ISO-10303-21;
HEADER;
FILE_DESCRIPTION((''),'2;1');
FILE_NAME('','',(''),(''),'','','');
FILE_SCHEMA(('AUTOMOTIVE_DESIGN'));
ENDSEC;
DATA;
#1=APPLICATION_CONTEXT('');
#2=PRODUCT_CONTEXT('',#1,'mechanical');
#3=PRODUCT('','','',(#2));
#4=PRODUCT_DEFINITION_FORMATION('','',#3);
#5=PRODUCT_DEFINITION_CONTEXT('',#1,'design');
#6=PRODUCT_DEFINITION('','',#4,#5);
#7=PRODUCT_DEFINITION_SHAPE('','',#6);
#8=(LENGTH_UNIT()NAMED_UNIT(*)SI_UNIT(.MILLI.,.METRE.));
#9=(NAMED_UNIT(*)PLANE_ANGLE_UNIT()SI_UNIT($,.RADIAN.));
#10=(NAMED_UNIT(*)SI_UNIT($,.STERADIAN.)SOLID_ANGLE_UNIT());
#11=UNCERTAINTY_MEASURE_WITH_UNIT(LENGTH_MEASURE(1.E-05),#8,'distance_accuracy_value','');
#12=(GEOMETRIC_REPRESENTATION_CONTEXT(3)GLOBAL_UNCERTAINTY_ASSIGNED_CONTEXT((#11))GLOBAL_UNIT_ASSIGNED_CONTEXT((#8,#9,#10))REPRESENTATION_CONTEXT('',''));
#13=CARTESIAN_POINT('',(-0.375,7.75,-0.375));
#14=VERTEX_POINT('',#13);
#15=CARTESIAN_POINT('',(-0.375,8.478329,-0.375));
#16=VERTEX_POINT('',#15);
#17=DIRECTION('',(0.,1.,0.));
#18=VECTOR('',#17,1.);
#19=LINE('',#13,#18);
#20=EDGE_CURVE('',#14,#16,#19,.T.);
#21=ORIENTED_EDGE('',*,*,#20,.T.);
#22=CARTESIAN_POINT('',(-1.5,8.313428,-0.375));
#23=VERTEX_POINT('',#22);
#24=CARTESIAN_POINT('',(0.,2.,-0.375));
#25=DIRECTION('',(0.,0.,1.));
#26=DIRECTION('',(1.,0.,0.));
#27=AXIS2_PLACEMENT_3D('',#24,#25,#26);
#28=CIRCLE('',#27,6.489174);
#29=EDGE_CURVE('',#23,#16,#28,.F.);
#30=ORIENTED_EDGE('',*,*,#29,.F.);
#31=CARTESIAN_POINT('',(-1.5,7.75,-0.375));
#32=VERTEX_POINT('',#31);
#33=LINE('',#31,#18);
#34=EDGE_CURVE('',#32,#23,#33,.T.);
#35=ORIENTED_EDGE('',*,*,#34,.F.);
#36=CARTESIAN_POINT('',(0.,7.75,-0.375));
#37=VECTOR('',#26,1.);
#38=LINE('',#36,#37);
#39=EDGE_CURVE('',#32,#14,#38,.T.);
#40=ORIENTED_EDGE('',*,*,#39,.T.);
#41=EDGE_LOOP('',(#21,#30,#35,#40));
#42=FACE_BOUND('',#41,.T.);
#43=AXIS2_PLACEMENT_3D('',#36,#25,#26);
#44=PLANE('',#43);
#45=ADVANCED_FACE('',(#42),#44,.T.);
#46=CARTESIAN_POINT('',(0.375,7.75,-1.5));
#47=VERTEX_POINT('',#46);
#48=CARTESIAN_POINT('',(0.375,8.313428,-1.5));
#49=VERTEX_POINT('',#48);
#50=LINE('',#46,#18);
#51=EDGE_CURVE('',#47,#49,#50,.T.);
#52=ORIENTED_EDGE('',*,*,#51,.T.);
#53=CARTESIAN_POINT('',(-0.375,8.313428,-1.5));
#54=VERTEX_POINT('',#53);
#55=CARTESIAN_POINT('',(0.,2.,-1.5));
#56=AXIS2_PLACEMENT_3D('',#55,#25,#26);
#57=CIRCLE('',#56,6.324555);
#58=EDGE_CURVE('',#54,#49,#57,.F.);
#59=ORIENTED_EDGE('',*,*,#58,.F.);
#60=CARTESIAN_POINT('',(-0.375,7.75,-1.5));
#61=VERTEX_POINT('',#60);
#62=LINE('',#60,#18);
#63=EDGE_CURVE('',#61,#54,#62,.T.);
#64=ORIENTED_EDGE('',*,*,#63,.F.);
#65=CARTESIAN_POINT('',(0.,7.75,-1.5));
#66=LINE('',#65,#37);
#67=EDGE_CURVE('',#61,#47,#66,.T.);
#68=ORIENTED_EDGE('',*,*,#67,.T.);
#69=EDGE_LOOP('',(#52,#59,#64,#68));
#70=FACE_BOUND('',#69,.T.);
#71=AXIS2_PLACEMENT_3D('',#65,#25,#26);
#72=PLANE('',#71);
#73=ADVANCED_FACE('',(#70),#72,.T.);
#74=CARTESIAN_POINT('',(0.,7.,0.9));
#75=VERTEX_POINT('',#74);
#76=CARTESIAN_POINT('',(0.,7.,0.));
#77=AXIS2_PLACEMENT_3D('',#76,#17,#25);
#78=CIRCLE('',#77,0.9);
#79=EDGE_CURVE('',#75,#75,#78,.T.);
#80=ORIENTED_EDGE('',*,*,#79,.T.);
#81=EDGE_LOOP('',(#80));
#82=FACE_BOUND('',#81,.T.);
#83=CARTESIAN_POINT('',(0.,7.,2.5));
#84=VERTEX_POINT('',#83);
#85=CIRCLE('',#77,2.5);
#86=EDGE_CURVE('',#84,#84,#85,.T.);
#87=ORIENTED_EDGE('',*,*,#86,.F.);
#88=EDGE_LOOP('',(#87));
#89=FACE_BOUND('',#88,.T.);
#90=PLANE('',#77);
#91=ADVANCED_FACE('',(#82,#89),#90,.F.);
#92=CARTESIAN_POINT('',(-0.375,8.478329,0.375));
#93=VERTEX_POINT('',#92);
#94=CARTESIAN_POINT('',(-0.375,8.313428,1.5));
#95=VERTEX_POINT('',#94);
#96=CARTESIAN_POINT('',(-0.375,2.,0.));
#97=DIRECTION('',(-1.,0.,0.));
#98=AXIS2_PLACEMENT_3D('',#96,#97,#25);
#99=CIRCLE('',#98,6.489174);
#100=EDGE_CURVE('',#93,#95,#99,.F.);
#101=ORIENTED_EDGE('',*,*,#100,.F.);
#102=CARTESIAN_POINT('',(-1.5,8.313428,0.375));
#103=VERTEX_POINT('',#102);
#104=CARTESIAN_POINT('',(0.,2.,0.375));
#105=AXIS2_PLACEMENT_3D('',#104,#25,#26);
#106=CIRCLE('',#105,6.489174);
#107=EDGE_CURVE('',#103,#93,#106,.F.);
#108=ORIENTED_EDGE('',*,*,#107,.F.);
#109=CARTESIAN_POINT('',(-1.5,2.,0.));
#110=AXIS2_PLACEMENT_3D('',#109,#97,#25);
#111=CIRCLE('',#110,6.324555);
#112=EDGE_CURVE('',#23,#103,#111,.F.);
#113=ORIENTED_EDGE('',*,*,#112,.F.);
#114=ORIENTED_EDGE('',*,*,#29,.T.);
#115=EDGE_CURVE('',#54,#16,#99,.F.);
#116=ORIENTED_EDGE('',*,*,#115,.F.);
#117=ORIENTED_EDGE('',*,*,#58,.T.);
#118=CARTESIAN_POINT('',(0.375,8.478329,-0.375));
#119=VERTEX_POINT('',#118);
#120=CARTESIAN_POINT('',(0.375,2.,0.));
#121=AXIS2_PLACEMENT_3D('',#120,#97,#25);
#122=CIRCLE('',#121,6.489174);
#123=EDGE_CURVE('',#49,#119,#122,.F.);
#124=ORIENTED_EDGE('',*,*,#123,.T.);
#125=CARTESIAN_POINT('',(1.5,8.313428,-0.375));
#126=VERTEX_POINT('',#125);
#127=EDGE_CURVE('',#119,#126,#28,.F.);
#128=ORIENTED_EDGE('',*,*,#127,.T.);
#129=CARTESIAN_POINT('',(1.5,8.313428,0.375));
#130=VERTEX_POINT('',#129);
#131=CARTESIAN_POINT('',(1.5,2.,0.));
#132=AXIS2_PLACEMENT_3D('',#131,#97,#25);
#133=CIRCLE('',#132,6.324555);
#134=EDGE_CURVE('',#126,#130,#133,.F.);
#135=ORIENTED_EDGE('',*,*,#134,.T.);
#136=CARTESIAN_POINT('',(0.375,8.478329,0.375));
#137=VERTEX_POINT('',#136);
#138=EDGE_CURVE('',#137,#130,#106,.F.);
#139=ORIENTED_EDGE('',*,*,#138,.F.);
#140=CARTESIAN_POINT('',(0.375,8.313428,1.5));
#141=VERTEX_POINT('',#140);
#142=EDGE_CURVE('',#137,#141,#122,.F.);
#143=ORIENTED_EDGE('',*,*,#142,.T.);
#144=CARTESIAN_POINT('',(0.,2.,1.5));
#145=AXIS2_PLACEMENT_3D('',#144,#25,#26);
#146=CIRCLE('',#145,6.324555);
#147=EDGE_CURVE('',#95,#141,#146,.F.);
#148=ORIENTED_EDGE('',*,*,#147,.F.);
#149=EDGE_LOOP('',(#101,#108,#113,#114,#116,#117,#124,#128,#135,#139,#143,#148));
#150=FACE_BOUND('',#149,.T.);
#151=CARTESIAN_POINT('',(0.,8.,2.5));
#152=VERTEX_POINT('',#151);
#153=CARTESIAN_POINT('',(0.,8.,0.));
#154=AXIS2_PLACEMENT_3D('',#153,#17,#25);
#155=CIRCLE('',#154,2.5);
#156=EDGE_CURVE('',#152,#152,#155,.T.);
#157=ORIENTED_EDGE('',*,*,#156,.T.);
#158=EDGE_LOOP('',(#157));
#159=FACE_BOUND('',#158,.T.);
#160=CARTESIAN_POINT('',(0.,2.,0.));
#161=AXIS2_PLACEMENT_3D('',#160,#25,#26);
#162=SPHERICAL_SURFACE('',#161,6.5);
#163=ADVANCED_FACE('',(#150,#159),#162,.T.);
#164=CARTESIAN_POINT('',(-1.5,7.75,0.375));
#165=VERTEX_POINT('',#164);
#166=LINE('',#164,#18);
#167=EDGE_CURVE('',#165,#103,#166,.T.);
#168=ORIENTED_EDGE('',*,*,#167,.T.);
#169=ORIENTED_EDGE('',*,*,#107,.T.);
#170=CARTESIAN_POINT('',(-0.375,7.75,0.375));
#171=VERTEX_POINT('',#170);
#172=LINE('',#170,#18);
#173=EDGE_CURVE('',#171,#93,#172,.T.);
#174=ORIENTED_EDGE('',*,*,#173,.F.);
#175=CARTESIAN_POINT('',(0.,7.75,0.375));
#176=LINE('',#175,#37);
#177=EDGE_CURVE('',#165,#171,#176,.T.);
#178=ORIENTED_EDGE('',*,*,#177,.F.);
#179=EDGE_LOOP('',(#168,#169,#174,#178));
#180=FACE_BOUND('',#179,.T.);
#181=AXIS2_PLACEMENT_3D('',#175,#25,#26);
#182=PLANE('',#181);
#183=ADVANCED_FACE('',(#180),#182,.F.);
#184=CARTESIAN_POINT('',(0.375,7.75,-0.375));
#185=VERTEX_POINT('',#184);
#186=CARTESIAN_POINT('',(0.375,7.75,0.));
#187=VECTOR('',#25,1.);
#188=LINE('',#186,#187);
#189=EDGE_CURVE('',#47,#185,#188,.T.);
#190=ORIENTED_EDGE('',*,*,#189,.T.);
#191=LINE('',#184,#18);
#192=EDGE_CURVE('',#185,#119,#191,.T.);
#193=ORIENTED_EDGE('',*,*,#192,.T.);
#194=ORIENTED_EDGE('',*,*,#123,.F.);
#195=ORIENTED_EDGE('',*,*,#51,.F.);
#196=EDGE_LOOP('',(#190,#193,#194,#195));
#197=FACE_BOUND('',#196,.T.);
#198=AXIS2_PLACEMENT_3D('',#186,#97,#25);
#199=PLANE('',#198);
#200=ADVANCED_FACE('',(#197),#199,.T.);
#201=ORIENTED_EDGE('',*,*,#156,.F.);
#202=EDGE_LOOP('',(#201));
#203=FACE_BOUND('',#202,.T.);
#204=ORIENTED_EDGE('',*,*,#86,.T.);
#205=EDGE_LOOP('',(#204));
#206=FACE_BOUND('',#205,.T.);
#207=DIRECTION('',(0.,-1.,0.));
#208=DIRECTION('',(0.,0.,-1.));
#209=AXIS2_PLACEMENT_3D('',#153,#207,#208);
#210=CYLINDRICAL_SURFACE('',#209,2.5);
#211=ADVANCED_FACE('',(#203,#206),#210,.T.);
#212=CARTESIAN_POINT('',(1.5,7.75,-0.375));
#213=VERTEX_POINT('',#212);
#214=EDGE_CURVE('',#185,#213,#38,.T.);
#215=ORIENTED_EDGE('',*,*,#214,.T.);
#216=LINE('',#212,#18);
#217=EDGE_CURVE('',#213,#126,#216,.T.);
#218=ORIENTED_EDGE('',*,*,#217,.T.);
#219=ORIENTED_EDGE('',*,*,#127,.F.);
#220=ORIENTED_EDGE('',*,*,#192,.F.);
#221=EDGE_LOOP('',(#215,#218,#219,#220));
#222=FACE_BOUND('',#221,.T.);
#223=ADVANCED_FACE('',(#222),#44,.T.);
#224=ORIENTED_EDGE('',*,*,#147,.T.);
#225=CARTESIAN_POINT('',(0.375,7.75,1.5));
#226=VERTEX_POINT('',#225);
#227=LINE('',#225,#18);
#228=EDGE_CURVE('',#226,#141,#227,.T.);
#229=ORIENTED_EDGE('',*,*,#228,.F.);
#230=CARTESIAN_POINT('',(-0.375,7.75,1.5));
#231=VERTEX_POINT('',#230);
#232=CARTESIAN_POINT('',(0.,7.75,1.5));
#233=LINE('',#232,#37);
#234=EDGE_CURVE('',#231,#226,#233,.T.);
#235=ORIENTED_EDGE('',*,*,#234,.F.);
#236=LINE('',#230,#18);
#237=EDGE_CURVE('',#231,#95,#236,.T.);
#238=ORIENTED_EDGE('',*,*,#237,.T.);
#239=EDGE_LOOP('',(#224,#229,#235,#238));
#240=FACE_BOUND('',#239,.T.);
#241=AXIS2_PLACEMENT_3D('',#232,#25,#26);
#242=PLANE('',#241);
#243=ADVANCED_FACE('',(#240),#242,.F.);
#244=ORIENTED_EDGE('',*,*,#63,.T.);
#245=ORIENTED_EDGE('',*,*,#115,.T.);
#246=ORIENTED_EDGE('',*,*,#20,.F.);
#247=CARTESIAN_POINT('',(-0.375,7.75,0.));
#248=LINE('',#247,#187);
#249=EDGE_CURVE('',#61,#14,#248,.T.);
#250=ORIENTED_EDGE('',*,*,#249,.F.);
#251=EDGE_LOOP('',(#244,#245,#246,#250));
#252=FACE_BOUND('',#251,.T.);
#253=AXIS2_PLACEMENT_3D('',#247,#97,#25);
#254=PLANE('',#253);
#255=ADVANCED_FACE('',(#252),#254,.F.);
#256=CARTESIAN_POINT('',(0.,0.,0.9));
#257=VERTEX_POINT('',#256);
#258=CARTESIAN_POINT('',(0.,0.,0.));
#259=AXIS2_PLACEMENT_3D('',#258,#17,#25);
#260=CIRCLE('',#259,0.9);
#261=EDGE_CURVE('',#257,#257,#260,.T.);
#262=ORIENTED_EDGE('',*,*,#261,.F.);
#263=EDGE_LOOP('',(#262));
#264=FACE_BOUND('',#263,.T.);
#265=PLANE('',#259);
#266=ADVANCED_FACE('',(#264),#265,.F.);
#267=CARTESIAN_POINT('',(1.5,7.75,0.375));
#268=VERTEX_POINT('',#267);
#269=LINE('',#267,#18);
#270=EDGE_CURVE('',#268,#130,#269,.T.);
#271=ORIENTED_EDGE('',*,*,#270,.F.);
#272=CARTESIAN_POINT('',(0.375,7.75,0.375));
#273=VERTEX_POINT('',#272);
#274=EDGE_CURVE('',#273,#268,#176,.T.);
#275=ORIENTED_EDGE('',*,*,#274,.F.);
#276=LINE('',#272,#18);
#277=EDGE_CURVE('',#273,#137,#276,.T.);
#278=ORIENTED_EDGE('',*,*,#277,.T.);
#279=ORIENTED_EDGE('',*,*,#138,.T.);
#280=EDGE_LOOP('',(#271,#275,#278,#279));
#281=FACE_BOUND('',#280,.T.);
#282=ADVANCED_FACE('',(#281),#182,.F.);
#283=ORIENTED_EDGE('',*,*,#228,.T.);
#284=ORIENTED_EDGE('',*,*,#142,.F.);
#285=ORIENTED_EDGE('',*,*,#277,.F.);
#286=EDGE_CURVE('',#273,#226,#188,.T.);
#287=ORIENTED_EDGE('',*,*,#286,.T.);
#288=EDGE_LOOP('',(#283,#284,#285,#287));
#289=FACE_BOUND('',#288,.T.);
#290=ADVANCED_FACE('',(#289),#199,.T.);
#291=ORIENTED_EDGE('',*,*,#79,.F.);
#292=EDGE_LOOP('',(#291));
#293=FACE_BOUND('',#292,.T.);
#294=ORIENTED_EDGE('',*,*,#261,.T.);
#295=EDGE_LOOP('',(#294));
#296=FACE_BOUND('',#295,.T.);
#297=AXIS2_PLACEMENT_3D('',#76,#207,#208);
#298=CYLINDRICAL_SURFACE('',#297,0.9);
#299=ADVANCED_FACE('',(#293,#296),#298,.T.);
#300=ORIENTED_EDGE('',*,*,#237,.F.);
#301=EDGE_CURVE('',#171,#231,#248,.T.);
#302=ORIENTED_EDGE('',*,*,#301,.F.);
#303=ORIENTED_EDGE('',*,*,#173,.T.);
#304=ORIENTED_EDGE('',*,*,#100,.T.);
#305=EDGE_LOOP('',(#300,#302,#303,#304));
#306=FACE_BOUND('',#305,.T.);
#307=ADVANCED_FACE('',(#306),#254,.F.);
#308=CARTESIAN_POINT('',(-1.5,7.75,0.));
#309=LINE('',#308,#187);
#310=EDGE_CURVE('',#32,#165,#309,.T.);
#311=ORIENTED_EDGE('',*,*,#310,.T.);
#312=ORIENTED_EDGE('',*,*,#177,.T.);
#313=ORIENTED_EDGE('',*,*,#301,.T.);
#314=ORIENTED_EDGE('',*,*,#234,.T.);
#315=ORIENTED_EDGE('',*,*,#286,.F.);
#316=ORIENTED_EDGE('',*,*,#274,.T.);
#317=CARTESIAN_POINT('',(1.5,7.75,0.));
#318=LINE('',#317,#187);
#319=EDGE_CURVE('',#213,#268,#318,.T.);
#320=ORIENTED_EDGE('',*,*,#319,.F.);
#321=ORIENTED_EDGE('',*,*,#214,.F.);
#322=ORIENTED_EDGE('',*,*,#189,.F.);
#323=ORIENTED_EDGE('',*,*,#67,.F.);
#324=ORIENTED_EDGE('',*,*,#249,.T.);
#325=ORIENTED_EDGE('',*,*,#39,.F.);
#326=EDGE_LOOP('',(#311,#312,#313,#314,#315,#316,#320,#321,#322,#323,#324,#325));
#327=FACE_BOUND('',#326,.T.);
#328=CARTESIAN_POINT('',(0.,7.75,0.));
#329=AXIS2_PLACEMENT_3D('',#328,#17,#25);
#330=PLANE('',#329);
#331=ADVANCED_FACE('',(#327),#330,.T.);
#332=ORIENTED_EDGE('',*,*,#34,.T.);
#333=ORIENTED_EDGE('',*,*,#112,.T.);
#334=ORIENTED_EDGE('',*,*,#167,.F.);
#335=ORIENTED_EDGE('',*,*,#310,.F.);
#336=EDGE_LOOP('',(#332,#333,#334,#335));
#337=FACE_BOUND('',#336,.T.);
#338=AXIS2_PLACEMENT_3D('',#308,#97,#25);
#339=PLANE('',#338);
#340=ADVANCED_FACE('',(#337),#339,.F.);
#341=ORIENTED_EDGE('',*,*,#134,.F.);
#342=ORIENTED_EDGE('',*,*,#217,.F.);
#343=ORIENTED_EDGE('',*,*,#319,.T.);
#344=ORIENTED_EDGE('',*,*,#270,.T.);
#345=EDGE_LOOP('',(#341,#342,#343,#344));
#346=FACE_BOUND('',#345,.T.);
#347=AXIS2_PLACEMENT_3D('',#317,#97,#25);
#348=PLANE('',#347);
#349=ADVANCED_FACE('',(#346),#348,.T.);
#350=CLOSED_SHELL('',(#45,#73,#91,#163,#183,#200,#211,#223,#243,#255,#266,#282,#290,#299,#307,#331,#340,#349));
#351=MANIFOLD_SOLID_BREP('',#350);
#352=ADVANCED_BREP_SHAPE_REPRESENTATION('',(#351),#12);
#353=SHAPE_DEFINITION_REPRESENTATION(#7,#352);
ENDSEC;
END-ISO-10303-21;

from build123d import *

# Parameters (mm, degrees)
SKETCH1_R           = 0.9
BOSS_EXTRUDE1_DEPTH = 7
SKETCH2_R           = 2.5
BOSS_EXTRUDE2_DEPTH = 1
DOME1_FACE_RADIUS   = 2.5
DOME1_HEIGHT        = 0.5
SKETCH3_W           = 1.125
SKETCH3_H           = 0.75
SKETCH3_W_2         = 0.75
SKETCH3_H_2         = 1.125
CUT_EXTRUDE1_DEPTH  = 0.75


with BuildPart() as part:
    # Sketch1 → Boss-Extrude1 (new body)
    with BuildSketch(Plane(origin=(0, 0, 0), x_dir=(1, 0, 0), z_dir=(0, 1, 0))):
        Circle(SKETCH1_R)
    extrude(amount=BOSS_EXTRUDE1_DEPTH)

    # Sketch2 → Boss-Extrude2 (add)
    with BuildSketch(Plane(origin=(0, 7, 0), x_dir=(1, 0, 0), z_dir=(0, 1, 0))):
        Circle(SKETCH2_R)
    extrude(amount=BOSS_EXTRUDE2_DEPTH)

    # Dome1: a dome of height H over a round flat face of radius A is a cap of a sphere of radius (A * A + H * H) / (2 * H)
    dome1_r = (DOME1_FACE_RADIUS * DOME1_FACE_RADIUS + DOME1_HEIGHT * DOME1_HEIGHT) / (2 * DOME1_HEIGHT)
    dome1_base = Plane((0, 8, 0), z_dir=(0, 1, 0))
    with Locations(dome1_base.offset(DOME1_HEIGHT - dome1_r)):
        dome1_ball = Sphere(dome1_r, mode=Mode.PRIVATE)
    add(split(dome1_ball, bisect_by=dome1_base, keep=Keep.TOP, mode=Mode.PRIVATE))

    # Sketch3 → Cut-Extrude1 (cut)
    with BuildSketch(Plane(origin=(0, 8.5, 0), x_dir=(1, 0, 0), z_dir=(0, 1, 0))):
        with Locations((-0.9375, 0)):
            Rectangle(SKETCH3_W, SKETCH3_H)
        Rectangle(SKETCH3_W_2, SKETCH3_H)
        with Locations((0, 0.9375)):
            Rectangle(SKETCH3_W_2, SKETCH3_H_2)
        with Locations((0.9375, 0)):
            Rectangle(SKETCH3_W, SKETCH3_H)
        with Locations((0, -0.9375)):
            Rectangle(SKETCH3_W_2, SKETCH3_H_2)
    extrude(amount=-CUT_EXTRUDE1_DEPTH, mode=Mode.SUBTRACT)


solid = part.part
